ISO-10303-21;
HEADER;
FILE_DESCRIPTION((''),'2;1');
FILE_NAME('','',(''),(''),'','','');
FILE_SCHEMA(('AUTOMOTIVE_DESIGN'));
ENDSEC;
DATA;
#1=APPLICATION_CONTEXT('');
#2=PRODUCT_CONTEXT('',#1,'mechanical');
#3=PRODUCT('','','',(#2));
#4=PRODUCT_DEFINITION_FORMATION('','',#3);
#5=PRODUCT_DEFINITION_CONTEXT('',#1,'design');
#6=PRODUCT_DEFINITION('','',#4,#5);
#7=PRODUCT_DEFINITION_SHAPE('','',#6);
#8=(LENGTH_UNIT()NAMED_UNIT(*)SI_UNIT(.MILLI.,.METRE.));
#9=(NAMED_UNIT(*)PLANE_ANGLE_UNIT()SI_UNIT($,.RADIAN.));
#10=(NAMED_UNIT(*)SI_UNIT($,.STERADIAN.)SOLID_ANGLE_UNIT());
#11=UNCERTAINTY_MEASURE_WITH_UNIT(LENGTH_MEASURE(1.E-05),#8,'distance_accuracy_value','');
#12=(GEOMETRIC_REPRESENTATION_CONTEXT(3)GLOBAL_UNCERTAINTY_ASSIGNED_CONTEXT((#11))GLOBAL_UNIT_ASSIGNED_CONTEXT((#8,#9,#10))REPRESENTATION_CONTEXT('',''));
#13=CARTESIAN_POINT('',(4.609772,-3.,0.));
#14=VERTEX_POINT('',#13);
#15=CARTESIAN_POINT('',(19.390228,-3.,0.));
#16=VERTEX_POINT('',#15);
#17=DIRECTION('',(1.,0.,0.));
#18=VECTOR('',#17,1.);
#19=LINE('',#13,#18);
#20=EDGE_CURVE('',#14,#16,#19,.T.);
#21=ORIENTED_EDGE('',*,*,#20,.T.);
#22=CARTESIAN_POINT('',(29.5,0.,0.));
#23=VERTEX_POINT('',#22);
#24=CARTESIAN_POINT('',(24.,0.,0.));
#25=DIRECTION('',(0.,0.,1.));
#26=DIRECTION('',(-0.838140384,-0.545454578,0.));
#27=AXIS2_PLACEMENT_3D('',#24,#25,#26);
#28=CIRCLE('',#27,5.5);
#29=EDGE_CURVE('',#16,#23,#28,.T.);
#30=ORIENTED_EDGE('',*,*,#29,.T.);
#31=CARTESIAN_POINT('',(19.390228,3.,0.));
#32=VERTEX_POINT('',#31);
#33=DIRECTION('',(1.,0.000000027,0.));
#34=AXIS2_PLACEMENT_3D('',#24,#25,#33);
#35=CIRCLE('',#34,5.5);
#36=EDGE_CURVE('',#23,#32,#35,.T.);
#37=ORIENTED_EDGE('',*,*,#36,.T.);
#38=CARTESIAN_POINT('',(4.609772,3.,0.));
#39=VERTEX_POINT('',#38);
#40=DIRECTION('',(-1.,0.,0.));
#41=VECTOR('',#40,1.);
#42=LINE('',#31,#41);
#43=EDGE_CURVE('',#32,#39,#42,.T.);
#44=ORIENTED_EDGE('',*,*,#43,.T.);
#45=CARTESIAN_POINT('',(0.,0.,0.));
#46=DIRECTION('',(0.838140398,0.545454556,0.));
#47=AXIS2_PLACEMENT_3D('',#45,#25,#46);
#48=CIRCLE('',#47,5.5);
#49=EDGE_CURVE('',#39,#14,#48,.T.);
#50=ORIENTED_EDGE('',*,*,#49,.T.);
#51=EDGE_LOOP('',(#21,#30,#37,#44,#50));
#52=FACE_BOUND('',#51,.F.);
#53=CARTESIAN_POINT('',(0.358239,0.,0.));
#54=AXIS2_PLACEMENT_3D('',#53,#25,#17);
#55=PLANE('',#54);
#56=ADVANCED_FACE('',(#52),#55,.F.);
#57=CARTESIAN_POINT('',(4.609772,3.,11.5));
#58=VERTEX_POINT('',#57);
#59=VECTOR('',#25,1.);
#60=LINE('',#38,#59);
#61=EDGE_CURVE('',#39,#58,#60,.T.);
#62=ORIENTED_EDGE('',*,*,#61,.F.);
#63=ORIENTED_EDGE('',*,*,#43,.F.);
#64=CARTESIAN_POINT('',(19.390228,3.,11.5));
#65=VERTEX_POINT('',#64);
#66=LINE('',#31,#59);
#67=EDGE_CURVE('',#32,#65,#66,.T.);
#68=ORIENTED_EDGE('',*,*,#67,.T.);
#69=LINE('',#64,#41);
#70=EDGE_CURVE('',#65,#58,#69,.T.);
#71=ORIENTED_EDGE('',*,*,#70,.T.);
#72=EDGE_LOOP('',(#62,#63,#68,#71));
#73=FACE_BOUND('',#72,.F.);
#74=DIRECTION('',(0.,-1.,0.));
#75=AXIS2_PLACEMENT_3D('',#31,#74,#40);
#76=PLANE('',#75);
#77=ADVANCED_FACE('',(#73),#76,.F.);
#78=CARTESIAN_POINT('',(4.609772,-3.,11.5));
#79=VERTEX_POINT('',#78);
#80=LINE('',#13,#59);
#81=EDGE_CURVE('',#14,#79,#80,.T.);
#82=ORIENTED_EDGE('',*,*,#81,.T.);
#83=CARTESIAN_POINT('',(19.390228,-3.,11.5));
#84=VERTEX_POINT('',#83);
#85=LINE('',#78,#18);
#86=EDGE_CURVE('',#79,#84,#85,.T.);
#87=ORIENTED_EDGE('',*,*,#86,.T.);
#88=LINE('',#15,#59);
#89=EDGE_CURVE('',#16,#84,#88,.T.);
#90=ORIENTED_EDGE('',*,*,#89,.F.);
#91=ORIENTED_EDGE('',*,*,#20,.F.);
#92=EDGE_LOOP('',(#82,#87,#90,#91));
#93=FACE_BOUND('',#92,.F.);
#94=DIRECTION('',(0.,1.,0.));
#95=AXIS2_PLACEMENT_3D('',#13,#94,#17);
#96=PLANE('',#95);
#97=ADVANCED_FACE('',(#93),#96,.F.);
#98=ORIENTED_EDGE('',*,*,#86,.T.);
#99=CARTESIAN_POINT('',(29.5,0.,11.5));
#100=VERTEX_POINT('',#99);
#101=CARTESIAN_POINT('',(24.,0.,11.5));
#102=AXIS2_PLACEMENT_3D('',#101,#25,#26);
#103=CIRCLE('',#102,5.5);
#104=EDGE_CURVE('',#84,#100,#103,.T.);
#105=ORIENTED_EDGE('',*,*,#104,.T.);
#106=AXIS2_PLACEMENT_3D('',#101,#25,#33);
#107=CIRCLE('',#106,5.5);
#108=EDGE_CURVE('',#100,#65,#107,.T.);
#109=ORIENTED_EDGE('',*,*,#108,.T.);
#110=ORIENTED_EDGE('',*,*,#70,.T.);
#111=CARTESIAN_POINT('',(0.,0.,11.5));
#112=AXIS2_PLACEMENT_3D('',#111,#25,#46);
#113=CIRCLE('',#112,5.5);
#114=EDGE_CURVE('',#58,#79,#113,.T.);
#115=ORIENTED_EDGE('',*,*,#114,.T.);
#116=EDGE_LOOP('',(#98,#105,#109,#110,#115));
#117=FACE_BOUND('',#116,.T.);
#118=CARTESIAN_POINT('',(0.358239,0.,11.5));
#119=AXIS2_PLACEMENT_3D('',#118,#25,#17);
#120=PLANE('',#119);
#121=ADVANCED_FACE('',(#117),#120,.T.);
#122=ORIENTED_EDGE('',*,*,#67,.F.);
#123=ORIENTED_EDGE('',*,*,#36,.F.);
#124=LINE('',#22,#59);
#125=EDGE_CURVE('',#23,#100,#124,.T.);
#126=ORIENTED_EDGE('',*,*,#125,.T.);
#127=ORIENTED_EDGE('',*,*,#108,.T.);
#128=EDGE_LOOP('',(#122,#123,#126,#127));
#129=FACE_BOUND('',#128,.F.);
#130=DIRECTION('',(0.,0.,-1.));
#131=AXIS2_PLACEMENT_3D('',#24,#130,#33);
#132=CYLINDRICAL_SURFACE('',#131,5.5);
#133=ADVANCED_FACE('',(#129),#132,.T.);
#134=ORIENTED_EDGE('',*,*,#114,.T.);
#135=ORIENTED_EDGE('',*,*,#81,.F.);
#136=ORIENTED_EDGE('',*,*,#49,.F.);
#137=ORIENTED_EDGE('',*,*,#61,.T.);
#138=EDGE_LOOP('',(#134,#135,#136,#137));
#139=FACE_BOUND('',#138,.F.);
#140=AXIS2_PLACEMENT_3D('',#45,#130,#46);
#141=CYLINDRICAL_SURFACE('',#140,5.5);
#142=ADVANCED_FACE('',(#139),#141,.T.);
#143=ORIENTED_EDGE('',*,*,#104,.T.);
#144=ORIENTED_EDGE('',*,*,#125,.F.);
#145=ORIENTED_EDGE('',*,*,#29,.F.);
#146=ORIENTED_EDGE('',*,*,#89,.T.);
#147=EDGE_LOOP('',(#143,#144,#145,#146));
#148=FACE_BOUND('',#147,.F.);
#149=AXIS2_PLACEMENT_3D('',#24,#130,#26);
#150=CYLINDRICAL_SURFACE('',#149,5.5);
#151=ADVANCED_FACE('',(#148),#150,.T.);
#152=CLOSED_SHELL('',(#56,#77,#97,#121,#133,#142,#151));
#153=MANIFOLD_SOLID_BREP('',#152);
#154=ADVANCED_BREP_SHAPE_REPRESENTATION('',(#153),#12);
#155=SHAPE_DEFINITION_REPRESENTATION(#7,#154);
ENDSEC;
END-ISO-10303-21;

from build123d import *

# Parameters (mm, degrees)
F1_DEPTH = 11.5


with BuildPart() as f1:
    # F0 (on Top) → F1 (new body)
    with BuildSketch(Plane.XY):
        with BuildLine():
            ThreePointArc((4.609772, -3), (5.272748, -1.564649), (5.5, 0))
            ThreePointArc((5.5, 0), (5.272748, 1.564649), (4.609772, 3))
            ThreePointArc((4.609772, 3), (-5.5, 0), (4.609772, -3))
        make_face()
        with BuildLine():
            ThreePointArc((4.609772, 3), (5.272748, 1.564649), (5.5, 0))
            ThreePointArc((5.5, 0), (5.272748, -1.564649), (4.609772, -3))
            Line((4.609772, -3), (19.390228, -3))
            ThreePointArc((19.390228, -3), (18.5, 0), (19.390228, 3))
            Line((19.390228, 3), (4.609772, 3))
        make_face()
        with BuildLine():
            ThreePointArc((29.5, 0), (25.564649, 5.272748), (19.390228, 3))
            ThreePointArc((19.390228, 3), (18.5, 0), (19.390228, -3))
            ThreePointArc((19.390228, -3), (25.564649, -5.272748), (29.5, 0))
        make_face()
    extrude(amount=F1_DEPTH)


solid = f1.part
